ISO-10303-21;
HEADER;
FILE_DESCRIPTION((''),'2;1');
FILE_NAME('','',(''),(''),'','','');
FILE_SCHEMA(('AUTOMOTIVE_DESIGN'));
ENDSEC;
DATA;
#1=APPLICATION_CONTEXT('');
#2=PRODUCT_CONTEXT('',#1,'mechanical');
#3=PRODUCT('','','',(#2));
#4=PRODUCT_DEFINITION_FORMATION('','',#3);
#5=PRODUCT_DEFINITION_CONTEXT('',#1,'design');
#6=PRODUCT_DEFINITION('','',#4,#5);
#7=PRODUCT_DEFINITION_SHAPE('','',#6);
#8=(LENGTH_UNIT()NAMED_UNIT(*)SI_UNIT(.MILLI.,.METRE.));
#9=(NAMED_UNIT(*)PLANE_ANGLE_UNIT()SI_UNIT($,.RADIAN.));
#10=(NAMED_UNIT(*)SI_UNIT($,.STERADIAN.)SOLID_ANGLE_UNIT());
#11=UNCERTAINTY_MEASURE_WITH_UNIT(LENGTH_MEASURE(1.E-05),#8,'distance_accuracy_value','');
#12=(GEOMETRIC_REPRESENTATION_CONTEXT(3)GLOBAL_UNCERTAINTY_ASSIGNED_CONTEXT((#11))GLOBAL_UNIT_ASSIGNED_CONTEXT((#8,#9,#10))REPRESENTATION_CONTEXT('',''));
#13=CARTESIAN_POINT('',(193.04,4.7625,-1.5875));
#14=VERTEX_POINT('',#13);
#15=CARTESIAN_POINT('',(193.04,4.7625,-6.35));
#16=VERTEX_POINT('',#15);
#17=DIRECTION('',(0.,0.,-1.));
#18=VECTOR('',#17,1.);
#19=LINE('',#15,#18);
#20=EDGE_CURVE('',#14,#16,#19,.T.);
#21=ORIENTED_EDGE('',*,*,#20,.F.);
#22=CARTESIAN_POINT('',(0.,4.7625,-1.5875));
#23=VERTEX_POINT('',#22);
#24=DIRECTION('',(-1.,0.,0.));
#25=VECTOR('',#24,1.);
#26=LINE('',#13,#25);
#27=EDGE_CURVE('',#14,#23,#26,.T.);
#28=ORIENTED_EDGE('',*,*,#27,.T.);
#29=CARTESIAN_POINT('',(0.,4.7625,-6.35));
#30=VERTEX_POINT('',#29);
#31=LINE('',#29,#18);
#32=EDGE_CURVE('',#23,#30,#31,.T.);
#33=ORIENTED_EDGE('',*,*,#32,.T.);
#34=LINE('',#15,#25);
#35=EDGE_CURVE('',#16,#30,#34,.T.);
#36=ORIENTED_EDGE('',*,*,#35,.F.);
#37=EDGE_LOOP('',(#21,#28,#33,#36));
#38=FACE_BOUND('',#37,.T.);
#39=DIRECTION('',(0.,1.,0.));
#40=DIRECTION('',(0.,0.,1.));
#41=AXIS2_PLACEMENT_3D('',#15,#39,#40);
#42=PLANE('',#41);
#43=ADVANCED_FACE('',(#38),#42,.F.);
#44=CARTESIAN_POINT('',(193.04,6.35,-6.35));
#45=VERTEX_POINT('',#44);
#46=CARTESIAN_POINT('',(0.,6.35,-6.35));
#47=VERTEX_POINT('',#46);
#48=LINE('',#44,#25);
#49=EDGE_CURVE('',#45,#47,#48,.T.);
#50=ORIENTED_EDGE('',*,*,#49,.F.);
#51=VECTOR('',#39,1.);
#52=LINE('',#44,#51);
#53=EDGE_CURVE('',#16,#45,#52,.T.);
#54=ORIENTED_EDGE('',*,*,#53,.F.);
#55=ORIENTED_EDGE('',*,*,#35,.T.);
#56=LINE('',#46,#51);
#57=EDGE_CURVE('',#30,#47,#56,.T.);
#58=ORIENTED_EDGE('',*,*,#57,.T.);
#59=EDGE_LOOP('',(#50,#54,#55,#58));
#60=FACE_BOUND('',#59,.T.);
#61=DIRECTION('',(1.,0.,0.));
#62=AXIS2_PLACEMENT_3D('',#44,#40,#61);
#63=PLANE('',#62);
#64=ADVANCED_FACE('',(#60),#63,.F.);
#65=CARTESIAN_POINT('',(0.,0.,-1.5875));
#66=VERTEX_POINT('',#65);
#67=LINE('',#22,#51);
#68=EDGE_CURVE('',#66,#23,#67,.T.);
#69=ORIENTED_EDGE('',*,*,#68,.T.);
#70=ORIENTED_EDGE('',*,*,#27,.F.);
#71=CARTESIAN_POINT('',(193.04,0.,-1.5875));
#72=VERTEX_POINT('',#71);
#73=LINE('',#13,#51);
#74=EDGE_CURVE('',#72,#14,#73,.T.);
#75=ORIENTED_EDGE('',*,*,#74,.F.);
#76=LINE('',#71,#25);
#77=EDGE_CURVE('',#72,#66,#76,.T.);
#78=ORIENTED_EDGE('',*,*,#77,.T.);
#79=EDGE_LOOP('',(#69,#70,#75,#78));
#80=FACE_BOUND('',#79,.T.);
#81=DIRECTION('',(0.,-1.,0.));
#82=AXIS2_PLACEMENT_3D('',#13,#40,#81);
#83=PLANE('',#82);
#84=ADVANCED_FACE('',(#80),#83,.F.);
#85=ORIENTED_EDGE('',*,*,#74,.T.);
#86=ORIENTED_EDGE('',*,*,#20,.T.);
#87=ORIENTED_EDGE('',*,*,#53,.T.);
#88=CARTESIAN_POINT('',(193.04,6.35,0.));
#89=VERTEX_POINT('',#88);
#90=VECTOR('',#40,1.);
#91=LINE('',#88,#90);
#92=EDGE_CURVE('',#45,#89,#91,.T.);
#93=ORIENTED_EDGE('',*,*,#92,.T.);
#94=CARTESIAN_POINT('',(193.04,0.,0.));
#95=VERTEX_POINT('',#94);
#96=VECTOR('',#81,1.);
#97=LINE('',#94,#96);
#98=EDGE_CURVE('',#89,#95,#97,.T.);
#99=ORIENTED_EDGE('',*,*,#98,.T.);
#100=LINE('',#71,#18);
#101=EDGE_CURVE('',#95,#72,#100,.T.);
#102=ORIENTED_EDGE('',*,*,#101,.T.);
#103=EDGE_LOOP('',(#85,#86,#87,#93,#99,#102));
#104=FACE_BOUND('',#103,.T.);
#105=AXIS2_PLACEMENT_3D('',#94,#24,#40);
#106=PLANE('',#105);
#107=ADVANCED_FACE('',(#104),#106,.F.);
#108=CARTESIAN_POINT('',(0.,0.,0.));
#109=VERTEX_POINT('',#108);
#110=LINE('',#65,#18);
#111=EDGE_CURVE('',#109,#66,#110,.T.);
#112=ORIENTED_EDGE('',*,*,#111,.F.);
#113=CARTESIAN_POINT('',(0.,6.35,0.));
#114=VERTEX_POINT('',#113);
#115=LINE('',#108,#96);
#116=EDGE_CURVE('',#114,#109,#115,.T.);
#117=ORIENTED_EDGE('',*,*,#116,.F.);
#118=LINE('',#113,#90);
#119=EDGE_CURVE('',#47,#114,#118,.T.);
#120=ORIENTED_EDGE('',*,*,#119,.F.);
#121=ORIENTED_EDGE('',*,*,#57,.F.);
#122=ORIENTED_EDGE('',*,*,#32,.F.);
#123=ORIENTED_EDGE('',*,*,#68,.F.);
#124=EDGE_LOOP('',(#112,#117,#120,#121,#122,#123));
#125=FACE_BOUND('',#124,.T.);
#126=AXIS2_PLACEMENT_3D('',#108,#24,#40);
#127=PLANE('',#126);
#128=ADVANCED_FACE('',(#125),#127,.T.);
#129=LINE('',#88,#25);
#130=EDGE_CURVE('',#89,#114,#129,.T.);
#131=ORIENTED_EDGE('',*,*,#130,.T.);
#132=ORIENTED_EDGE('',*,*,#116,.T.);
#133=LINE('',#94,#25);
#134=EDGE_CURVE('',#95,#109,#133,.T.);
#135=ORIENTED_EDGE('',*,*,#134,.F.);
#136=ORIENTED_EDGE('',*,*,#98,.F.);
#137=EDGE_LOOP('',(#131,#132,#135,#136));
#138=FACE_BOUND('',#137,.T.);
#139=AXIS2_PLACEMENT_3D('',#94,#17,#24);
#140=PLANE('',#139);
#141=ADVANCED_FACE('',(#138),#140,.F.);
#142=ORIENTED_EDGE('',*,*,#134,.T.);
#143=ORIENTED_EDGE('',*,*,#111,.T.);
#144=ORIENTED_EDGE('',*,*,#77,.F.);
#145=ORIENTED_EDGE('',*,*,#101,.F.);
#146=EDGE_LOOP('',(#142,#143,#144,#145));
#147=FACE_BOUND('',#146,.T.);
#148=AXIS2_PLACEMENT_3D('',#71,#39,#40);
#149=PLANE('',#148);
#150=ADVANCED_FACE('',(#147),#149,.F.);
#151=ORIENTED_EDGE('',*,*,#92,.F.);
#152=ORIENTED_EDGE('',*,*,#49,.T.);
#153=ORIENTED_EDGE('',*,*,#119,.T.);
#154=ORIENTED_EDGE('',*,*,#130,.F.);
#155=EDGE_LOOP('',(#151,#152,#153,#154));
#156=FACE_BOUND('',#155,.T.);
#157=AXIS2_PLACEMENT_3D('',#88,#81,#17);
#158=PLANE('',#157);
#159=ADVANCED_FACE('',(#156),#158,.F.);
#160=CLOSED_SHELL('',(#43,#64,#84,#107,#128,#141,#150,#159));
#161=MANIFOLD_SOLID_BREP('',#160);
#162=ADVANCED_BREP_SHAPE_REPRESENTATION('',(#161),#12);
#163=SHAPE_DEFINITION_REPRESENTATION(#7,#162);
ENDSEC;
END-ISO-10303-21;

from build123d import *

# Parameters (mm, degrees)
BOSS_EXTRUDE1_DEPTH = 193.04


with BuildPart() as part:
    # Sketch1 → Boss-Extrude1 (new body)
    with BuildSketch(Plane(origin=(0, 0, 0), x_dir=(0, 0, -1), z_dir=(1, 0, 0))):
        Polygon((0, 0), (0, 6.35), (6.35, 6.35), (6.35, 4.7625), (1.5875, 4.7625), (1.5875, 0), align=None)
    extrude(amount=BOSS_EXTRUDE1_DEPTH)


solid = part.part
